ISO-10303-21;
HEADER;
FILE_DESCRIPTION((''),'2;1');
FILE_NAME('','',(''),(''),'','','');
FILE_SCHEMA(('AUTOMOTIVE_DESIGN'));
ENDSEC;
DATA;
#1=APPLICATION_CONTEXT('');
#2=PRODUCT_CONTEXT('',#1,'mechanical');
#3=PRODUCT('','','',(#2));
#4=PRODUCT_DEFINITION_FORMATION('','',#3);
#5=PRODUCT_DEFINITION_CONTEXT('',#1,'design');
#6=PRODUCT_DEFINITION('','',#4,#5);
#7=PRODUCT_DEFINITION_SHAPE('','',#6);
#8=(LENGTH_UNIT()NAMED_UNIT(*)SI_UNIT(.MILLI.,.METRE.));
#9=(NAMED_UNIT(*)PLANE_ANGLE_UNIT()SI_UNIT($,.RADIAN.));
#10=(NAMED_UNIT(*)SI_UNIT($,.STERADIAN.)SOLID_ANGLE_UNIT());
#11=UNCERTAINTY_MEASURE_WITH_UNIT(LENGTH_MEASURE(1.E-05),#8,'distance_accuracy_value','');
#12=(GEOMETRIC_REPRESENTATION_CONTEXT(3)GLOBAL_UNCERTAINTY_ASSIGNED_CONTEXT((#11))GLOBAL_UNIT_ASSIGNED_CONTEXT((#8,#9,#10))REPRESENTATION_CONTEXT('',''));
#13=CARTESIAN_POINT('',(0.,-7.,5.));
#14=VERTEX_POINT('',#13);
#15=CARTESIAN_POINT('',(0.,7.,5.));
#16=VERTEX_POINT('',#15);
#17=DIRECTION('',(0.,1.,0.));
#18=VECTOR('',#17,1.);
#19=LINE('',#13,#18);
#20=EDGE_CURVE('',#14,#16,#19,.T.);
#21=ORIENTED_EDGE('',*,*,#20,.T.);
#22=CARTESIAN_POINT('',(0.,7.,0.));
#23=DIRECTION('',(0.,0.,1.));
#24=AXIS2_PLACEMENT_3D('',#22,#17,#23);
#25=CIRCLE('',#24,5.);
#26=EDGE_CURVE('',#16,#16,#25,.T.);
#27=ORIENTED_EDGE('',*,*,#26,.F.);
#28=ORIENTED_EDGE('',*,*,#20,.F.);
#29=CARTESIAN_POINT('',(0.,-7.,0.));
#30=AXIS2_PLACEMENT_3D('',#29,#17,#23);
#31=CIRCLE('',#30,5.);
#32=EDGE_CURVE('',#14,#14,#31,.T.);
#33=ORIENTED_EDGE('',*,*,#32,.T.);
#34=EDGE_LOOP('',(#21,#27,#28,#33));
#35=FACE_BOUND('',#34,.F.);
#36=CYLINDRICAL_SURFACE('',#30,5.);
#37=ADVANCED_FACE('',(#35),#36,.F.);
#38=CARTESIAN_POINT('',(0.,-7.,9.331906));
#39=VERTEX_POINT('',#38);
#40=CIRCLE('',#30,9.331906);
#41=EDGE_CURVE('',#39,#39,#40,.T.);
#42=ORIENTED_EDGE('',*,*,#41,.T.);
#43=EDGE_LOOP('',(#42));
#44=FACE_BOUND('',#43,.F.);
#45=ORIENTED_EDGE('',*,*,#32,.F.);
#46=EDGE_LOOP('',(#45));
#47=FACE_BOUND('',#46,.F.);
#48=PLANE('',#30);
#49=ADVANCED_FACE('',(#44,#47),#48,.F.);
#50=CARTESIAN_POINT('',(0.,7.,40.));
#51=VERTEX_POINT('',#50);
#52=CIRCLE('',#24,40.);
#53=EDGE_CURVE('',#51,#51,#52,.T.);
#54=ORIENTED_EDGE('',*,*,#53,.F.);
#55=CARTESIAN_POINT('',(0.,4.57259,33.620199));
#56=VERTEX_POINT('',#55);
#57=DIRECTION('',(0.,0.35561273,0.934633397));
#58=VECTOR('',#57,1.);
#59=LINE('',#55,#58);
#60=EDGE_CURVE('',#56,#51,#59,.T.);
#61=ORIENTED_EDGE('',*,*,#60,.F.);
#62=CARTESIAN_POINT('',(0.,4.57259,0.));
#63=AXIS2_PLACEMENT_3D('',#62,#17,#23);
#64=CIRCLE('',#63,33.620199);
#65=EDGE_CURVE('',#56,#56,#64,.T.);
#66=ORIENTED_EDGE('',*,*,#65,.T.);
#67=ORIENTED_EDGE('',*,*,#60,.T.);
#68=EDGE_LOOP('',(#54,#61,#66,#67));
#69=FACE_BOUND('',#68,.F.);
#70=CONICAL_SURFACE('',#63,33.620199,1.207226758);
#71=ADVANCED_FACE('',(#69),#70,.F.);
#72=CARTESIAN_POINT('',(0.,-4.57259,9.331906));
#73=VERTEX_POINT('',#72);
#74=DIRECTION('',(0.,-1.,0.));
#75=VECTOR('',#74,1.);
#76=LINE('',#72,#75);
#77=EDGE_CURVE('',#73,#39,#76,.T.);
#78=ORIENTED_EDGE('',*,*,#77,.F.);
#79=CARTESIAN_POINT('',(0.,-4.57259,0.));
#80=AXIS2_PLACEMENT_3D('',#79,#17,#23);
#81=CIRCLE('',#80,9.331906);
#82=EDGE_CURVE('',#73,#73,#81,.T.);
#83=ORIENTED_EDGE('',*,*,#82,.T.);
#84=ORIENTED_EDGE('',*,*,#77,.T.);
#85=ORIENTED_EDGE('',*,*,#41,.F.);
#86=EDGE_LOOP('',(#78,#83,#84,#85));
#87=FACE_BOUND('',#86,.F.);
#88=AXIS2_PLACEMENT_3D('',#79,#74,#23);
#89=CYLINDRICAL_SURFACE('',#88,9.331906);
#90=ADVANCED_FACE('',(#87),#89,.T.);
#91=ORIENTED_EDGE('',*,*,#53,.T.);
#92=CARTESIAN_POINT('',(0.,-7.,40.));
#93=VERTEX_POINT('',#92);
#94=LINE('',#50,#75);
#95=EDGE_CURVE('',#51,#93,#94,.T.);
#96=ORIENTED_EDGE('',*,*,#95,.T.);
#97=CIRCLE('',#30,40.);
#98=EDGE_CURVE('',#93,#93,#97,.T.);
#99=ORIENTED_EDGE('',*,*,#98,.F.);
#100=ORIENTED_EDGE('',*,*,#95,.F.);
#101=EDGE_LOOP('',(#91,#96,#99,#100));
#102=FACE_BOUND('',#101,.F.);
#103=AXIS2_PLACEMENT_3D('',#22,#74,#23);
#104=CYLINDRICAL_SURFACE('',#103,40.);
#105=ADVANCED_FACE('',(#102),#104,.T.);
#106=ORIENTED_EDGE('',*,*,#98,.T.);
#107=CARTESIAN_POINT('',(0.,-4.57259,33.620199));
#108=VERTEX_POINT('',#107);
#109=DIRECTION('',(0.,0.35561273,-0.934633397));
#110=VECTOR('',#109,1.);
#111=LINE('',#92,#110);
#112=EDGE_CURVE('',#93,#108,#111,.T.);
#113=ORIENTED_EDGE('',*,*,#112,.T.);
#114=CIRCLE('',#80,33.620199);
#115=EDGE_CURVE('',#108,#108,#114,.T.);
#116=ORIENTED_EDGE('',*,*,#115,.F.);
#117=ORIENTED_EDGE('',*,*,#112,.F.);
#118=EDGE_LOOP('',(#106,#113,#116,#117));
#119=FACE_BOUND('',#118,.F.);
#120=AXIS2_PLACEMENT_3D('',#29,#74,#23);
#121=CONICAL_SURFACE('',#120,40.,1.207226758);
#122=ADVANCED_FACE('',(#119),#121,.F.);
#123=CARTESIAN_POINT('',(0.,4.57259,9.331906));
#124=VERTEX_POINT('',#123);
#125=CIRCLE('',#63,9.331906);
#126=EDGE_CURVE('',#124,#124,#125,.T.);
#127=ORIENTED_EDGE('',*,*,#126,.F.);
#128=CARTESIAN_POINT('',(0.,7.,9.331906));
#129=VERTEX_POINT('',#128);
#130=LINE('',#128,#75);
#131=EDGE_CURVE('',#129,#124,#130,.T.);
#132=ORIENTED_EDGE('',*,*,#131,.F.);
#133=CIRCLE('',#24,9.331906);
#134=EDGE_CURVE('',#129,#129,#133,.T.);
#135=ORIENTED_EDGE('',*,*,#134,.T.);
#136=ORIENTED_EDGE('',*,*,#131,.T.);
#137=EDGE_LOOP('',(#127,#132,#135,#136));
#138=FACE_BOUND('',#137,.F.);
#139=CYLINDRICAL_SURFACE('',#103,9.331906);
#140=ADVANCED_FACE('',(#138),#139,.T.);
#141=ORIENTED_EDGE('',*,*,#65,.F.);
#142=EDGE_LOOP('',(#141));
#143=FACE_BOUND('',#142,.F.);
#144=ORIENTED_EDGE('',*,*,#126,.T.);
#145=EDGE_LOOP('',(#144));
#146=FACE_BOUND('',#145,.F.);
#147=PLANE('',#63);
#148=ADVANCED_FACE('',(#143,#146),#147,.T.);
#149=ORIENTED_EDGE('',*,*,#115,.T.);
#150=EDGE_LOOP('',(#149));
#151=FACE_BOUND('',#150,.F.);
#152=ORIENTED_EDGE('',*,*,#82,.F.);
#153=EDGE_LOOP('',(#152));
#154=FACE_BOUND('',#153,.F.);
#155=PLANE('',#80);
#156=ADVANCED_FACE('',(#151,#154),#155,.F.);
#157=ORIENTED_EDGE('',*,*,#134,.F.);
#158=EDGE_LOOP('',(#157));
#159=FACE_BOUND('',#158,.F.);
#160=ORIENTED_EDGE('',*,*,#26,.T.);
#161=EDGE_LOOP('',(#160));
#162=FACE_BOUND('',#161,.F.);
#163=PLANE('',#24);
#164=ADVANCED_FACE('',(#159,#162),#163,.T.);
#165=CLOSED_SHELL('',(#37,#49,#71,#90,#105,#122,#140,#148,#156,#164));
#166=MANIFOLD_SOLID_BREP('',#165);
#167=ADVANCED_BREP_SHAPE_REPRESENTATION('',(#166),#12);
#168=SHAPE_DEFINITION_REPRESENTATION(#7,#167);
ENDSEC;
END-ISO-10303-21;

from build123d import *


with BuildPart() as part:
    # Sketch → Revolution (revolve)
    with BuildSketch(Plane.YZ):
        Polygon((7, 40), (-7, 40), (-4.57259, 33.620199), (-4.57259, 9.331906), (-7, 9.331906), (-7, 5), (7, 5), (7, 9.331906), (4.57259, 9.331906), (4.57259, 33.620199), align=None)
    revolve(axis=Axis((0, 0, 0), (0, 1, 0)))


solid = part.part
